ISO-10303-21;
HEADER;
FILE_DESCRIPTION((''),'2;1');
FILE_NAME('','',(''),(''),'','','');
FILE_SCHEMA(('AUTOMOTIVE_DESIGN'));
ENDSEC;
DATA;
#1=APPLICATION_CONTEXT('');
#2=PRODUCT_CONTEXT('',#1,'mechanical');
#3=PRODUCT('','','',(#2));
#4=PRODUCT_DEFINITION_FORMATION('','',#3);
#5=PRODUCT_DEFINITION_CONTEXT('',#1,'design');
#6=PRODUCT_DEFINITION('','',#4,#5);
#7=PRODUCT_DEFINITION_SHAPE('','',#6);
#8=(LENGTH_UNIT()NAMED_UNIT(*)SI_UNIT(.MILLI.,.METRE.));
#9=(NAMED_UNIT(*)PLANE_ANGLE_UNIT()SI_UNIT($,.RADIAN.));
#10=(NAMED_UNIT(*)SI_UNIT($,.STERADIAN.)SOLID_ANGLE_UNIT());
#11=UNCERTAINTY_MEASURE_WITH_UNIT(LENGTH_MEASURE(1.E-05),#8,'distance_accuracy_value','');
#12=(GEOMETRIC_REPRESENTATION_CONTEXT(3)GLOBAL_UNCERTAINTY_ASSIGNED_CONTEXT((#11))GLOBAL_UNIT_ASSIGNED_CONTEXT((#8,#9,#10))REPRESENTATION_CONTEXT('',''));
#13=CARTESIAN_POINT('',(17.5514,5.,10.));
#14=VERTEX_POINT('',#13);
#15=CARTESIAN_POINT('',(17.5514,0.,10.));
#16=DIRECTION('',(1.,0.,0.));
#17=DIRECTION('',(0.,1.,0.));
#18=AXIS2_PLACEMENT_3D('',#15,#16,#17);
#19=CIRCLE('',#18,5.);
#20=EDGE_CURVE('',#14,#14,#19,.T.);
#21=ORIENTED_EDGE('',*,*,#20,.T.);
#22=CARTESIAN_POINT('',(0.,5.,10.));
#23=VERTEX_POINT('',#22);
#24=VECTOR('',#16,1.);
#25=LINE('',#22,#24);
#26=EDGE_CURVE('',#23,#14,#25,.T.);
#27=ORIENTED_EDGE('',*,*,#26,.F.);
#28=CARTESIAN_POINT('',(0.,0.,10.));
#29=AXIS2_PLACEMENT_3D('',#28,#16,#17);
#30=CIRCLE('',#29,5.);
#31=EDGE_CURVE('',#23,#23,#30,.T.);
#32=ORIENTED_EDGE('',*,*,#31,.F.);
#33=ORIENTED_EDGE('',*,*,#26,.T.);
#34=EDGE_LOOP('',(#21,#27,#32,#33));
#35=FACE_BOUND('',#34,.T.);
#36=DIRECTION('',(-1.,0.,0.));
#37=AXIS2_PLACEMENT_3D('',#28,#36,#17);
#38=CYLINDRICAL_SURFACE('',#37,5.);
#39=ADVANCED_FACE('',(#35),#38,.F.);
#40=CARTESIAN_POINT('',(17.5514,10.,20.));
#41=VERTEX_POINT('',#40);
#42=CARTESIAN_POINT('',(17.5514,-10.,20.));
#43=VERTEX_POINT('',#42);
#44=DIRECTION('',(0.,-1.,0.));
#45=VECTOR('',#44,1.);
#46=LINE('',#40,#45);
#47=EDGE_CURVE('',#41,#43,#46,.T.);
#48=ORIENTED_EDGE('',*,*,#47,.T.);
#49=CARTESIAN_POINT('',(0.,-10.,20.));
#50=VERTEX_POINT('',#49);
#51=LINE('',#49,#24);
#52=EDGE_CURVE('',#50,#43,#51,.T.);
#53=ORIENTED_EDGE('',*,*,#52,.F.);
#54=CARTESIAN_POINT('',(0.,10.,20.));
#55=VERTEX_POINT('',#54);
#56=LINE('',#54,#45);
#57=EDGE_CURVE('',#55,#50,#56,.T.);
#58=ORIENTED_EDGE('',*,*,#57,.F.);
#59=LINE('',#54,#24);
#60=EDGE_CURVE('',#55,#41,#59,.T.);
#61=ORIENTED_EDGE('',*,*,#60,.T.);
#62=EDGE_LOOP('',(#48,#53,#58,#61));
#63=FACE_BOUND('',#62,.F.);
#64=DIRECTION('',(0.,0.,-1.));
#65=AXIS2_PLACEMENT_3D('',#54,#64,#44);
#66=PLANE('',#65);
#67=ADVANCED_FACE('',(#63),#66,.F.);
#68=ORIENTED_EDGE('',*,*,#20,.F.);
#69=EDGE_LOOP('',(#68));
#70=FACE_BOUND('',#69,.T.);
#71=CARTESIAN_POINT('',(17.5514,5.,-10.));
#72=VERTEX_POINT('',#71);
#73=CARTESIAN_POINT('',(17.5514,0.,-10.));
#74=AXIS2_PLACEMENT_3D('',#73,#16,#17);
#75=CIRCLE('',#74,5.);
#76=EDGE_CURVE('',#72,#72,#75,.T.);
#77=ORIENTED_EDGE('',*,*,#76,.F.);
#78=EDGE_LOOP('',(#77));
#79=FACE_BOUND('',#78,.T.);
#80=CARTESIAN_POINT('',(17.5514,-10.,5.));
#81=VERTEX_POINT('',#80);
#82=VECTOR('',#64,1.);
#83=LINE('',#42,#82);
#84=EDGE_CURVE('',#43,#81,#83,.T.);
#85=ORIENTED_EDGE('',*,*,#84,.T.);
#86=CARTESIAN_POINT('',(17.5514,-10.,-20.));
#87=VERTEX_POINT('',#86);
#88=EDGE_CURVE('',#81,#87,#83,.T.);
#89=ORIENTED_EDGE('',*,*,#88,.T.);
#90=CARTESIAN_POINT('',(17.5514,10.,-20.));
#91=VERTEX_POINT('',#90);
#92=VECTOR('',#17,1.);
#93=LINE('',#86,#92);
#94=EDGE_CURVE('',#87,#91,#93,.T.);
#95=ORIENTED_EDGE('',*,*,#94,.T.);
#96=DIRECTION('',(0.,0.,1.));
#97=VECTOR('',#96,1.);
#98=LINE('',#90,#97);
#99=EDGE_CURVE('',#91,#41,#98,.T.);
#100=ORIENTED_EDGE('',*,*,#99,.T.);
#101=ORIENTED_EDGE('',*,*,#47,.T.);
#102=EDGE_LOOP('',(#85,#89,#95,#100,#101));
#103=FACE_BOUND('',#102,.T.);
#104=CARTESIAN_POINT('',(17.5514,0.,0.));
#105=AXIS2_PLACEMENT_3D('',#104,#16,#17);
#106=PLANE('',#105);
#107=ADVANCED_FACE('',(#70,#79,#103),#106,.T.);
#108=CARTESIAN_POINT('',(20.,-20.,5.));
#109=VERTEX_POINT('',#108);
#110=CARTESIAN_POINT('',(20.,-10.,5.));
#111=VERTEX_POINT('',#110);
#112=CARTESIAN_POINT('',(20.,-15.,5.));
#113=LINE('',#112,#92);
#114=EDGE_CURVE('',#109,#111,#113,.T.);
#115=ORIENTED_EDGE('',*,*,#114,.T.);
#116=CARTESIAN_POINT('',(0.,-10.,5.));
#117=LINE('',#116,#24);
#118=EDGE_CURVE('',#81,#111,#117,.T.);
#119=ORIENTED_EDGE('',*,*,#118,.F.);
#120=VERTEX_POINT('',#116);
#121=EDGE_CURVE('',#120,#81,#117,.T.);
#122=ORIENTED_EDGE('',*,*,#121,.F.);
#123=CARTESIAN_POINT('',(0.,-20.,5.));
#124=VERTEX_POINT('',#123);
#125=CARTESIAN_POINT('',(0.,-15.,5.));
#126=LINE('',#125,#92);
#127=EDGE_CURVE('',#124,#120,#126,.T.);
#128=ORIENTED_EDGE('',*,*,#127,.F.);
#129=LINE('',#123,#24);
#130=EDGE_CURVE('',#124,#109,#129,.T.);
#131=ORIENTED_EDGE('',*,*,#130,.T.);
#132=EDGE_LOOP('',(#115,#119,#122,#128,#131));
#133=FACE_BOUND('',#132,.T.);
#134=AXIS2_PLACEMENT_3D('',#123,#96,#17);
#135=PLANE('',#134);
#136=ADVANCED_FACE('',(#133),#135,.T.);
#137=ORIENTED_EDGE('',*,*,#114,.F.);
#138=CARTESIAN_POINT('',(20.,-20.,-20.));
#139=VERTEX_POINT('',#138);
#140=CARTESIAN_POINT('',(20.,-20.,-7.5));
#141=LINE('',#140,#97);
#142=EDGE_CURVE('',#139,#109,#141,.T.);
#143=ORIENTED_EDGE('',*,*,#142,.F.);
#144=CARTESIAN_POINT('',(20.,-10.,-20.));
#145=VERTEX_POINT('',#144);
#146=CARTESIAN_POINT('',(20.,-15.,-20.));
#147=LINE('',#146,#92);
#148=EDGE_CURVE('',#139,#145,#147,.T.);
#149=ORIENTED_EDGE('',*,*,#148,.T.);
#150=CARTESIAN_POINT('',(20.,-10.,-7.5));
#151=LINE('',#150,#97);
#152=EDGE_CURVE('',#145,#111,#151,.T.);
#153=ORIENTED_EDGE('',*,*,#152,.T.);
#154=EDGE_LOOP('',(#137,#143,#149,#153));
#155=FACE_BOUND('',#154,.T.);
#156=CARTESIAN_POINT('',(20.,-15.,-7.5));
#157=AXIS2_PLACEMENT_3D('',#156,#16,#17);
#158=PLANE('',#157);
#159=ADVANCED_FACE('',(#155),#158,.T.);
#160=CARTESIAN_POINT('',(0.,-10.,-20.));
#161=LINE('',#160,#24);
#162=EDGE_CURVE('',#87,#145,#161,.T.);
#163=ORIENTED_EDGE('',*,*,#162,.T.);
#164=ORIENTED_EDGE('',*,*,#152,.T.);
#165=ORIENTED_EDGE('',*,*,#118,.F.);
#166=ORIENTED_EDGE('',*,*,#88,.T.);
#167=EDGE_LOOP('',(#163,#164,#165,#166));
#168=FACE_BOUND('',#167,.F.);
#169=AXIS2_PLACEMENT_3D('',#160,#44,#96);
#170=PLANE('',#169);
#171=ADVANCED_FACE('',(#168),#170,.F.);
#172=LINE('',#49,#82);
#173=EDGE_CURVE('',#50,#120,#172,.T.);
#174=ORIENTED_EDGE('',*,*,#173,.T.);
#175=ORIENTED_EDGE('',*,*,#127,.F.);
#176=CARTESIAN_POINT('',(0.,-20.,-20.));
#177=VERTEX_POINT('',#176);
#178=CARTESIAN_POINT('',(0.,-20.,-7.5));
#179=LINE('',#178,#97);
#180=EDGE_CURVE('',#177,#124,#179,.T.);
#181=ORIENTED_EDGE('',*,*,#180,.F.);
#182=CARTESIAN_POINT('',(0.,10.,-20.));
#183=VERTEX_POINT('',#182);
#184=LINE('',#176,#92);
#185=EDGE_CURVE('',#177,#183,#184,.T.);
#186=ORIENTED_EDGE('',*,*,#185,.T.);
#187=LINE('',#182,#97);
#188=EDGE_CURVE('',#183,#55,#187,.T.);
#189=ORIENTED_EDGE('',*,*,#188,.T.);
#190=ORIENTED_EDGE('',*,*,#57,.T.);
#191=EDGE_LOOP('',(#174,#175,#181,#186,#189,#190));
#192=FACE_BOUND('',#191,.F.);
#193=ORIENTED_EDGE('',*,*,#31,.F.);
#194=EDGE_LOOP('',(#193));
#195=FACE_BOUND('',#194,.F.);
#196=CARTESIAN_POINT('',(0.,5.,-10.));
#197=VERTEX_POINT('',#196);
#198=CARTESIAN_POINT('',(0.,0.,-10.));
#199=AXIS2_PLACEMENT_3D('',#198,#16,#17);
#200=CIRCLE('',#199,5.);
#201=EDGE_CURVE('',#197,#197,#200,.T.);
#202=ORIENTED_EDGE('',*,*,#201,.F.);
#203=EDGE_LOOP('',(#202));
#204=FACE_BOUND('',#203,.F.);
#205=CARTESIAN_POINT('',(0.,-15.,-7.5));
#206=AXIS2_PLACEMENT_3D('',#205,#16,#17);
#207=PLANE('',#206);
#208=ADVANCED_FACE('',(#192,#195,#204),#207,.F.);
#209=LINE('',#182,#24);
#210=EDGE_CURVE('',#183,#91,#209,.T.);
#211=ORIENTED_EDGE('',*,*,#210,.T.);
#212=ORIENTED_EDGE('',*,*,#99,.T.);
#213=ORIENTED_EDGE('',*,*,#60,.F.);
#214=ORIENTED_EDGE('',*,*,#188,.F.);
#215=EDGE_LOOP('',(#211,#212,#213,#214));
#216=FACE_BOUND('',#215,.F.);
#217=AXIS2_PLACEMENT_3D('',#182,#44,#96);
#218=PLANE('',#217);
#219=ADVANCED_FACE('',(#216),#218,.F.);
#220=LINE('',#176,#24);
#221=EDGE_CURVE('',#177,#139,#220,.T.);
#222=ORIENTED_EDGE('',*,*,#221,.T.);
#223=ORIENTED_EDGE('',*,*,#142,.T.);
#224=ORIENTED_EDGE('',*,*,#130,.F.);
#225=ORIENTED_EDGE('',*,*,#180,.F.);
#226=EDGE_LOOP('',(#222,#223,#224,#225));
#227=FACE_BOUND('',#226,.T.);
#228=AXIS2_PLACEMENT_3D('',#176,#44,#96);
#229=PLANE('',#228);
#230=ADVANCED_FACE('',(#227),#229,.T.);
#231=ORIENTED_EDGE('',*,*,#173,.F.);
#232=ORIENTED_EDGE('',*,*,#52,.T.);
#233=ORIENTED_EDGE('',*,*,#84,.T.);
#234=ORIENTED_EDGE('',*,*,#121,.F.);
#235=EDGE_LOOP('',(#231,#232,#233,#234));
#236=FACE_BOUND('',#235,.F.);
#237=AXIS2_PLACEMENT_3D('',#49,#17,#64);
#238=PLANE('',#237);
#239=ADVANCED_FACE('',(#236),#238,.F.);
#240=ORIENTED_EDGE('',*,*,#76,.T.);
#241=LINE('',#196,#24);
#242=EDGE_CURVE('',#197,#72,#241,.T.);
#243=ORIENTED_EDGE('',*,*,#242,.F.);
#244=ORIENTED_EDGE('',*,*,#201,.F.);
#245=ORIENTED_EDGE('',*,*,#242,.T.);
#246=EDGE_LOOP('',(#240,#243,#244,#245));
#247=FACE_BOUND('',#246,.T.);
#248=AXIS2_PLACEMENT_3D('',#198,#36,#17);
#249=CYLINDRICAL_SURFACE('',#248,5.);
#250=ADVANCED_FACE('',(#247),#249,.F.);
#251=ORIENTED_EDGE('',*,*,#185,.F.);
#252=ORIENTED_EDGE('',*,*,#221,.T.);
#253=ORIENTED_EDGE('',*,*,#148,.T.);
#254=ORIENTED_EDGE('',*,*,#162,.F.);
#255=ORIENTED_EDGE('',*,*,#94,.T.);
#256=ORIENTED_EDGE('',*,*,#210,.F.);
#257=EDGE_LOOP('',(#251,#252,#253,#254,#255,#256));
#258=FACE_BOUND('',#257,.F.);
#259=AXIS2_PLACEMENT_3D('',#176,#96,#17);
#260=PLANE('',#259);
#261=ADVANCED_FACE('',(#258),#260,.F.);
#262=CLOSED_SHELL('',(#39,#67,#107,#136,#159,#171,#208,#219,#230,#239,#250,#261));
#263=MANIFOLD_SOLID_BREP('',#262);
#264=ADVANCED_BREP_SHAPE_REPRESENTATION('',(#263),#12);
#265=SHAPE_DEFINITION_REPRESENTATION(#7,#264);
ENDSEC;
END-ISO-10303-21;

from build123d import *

# Parameters (mm, degrees)
F0_R     = 5
F1_DEPTH = 17.5514
F0_W     = 10
F0_H     = 25
F2_DEPTH = 20
F3_R     = 5
F4_DEPTH = 17.5514


with BuildPart() as f1:
    # F0 (on Right) → F1 (new body)
    with BuildSketch(Plane.YZ):
        Polygon((10, -20), (10, 20), (-10, 20), (-10, 5), (-10, -20), align=None)
        with Locations((0, -10)):
            Circle(F0_R, mode=Mode.SUBTRACT)
    extrude(amount=F1_DEPTH)

    # F0 (on Right) → F2 (join)
    with BuildSketch(Plane.YZ):
        with Locations((-15, -7.5)):
            Rectangle(F0_W, F0_H)
    extrude(amount=F2_DEPTH)

    # F3 (on face) → F4 (cut, through all)
    with BuildSketch(Plane.YZ):
        with Locations((0, 10)):
            Circle(F3_R)
    extrude(amount=F4_DEPTH, mode=Mode.SUBTRACT)


solid = f1.part
